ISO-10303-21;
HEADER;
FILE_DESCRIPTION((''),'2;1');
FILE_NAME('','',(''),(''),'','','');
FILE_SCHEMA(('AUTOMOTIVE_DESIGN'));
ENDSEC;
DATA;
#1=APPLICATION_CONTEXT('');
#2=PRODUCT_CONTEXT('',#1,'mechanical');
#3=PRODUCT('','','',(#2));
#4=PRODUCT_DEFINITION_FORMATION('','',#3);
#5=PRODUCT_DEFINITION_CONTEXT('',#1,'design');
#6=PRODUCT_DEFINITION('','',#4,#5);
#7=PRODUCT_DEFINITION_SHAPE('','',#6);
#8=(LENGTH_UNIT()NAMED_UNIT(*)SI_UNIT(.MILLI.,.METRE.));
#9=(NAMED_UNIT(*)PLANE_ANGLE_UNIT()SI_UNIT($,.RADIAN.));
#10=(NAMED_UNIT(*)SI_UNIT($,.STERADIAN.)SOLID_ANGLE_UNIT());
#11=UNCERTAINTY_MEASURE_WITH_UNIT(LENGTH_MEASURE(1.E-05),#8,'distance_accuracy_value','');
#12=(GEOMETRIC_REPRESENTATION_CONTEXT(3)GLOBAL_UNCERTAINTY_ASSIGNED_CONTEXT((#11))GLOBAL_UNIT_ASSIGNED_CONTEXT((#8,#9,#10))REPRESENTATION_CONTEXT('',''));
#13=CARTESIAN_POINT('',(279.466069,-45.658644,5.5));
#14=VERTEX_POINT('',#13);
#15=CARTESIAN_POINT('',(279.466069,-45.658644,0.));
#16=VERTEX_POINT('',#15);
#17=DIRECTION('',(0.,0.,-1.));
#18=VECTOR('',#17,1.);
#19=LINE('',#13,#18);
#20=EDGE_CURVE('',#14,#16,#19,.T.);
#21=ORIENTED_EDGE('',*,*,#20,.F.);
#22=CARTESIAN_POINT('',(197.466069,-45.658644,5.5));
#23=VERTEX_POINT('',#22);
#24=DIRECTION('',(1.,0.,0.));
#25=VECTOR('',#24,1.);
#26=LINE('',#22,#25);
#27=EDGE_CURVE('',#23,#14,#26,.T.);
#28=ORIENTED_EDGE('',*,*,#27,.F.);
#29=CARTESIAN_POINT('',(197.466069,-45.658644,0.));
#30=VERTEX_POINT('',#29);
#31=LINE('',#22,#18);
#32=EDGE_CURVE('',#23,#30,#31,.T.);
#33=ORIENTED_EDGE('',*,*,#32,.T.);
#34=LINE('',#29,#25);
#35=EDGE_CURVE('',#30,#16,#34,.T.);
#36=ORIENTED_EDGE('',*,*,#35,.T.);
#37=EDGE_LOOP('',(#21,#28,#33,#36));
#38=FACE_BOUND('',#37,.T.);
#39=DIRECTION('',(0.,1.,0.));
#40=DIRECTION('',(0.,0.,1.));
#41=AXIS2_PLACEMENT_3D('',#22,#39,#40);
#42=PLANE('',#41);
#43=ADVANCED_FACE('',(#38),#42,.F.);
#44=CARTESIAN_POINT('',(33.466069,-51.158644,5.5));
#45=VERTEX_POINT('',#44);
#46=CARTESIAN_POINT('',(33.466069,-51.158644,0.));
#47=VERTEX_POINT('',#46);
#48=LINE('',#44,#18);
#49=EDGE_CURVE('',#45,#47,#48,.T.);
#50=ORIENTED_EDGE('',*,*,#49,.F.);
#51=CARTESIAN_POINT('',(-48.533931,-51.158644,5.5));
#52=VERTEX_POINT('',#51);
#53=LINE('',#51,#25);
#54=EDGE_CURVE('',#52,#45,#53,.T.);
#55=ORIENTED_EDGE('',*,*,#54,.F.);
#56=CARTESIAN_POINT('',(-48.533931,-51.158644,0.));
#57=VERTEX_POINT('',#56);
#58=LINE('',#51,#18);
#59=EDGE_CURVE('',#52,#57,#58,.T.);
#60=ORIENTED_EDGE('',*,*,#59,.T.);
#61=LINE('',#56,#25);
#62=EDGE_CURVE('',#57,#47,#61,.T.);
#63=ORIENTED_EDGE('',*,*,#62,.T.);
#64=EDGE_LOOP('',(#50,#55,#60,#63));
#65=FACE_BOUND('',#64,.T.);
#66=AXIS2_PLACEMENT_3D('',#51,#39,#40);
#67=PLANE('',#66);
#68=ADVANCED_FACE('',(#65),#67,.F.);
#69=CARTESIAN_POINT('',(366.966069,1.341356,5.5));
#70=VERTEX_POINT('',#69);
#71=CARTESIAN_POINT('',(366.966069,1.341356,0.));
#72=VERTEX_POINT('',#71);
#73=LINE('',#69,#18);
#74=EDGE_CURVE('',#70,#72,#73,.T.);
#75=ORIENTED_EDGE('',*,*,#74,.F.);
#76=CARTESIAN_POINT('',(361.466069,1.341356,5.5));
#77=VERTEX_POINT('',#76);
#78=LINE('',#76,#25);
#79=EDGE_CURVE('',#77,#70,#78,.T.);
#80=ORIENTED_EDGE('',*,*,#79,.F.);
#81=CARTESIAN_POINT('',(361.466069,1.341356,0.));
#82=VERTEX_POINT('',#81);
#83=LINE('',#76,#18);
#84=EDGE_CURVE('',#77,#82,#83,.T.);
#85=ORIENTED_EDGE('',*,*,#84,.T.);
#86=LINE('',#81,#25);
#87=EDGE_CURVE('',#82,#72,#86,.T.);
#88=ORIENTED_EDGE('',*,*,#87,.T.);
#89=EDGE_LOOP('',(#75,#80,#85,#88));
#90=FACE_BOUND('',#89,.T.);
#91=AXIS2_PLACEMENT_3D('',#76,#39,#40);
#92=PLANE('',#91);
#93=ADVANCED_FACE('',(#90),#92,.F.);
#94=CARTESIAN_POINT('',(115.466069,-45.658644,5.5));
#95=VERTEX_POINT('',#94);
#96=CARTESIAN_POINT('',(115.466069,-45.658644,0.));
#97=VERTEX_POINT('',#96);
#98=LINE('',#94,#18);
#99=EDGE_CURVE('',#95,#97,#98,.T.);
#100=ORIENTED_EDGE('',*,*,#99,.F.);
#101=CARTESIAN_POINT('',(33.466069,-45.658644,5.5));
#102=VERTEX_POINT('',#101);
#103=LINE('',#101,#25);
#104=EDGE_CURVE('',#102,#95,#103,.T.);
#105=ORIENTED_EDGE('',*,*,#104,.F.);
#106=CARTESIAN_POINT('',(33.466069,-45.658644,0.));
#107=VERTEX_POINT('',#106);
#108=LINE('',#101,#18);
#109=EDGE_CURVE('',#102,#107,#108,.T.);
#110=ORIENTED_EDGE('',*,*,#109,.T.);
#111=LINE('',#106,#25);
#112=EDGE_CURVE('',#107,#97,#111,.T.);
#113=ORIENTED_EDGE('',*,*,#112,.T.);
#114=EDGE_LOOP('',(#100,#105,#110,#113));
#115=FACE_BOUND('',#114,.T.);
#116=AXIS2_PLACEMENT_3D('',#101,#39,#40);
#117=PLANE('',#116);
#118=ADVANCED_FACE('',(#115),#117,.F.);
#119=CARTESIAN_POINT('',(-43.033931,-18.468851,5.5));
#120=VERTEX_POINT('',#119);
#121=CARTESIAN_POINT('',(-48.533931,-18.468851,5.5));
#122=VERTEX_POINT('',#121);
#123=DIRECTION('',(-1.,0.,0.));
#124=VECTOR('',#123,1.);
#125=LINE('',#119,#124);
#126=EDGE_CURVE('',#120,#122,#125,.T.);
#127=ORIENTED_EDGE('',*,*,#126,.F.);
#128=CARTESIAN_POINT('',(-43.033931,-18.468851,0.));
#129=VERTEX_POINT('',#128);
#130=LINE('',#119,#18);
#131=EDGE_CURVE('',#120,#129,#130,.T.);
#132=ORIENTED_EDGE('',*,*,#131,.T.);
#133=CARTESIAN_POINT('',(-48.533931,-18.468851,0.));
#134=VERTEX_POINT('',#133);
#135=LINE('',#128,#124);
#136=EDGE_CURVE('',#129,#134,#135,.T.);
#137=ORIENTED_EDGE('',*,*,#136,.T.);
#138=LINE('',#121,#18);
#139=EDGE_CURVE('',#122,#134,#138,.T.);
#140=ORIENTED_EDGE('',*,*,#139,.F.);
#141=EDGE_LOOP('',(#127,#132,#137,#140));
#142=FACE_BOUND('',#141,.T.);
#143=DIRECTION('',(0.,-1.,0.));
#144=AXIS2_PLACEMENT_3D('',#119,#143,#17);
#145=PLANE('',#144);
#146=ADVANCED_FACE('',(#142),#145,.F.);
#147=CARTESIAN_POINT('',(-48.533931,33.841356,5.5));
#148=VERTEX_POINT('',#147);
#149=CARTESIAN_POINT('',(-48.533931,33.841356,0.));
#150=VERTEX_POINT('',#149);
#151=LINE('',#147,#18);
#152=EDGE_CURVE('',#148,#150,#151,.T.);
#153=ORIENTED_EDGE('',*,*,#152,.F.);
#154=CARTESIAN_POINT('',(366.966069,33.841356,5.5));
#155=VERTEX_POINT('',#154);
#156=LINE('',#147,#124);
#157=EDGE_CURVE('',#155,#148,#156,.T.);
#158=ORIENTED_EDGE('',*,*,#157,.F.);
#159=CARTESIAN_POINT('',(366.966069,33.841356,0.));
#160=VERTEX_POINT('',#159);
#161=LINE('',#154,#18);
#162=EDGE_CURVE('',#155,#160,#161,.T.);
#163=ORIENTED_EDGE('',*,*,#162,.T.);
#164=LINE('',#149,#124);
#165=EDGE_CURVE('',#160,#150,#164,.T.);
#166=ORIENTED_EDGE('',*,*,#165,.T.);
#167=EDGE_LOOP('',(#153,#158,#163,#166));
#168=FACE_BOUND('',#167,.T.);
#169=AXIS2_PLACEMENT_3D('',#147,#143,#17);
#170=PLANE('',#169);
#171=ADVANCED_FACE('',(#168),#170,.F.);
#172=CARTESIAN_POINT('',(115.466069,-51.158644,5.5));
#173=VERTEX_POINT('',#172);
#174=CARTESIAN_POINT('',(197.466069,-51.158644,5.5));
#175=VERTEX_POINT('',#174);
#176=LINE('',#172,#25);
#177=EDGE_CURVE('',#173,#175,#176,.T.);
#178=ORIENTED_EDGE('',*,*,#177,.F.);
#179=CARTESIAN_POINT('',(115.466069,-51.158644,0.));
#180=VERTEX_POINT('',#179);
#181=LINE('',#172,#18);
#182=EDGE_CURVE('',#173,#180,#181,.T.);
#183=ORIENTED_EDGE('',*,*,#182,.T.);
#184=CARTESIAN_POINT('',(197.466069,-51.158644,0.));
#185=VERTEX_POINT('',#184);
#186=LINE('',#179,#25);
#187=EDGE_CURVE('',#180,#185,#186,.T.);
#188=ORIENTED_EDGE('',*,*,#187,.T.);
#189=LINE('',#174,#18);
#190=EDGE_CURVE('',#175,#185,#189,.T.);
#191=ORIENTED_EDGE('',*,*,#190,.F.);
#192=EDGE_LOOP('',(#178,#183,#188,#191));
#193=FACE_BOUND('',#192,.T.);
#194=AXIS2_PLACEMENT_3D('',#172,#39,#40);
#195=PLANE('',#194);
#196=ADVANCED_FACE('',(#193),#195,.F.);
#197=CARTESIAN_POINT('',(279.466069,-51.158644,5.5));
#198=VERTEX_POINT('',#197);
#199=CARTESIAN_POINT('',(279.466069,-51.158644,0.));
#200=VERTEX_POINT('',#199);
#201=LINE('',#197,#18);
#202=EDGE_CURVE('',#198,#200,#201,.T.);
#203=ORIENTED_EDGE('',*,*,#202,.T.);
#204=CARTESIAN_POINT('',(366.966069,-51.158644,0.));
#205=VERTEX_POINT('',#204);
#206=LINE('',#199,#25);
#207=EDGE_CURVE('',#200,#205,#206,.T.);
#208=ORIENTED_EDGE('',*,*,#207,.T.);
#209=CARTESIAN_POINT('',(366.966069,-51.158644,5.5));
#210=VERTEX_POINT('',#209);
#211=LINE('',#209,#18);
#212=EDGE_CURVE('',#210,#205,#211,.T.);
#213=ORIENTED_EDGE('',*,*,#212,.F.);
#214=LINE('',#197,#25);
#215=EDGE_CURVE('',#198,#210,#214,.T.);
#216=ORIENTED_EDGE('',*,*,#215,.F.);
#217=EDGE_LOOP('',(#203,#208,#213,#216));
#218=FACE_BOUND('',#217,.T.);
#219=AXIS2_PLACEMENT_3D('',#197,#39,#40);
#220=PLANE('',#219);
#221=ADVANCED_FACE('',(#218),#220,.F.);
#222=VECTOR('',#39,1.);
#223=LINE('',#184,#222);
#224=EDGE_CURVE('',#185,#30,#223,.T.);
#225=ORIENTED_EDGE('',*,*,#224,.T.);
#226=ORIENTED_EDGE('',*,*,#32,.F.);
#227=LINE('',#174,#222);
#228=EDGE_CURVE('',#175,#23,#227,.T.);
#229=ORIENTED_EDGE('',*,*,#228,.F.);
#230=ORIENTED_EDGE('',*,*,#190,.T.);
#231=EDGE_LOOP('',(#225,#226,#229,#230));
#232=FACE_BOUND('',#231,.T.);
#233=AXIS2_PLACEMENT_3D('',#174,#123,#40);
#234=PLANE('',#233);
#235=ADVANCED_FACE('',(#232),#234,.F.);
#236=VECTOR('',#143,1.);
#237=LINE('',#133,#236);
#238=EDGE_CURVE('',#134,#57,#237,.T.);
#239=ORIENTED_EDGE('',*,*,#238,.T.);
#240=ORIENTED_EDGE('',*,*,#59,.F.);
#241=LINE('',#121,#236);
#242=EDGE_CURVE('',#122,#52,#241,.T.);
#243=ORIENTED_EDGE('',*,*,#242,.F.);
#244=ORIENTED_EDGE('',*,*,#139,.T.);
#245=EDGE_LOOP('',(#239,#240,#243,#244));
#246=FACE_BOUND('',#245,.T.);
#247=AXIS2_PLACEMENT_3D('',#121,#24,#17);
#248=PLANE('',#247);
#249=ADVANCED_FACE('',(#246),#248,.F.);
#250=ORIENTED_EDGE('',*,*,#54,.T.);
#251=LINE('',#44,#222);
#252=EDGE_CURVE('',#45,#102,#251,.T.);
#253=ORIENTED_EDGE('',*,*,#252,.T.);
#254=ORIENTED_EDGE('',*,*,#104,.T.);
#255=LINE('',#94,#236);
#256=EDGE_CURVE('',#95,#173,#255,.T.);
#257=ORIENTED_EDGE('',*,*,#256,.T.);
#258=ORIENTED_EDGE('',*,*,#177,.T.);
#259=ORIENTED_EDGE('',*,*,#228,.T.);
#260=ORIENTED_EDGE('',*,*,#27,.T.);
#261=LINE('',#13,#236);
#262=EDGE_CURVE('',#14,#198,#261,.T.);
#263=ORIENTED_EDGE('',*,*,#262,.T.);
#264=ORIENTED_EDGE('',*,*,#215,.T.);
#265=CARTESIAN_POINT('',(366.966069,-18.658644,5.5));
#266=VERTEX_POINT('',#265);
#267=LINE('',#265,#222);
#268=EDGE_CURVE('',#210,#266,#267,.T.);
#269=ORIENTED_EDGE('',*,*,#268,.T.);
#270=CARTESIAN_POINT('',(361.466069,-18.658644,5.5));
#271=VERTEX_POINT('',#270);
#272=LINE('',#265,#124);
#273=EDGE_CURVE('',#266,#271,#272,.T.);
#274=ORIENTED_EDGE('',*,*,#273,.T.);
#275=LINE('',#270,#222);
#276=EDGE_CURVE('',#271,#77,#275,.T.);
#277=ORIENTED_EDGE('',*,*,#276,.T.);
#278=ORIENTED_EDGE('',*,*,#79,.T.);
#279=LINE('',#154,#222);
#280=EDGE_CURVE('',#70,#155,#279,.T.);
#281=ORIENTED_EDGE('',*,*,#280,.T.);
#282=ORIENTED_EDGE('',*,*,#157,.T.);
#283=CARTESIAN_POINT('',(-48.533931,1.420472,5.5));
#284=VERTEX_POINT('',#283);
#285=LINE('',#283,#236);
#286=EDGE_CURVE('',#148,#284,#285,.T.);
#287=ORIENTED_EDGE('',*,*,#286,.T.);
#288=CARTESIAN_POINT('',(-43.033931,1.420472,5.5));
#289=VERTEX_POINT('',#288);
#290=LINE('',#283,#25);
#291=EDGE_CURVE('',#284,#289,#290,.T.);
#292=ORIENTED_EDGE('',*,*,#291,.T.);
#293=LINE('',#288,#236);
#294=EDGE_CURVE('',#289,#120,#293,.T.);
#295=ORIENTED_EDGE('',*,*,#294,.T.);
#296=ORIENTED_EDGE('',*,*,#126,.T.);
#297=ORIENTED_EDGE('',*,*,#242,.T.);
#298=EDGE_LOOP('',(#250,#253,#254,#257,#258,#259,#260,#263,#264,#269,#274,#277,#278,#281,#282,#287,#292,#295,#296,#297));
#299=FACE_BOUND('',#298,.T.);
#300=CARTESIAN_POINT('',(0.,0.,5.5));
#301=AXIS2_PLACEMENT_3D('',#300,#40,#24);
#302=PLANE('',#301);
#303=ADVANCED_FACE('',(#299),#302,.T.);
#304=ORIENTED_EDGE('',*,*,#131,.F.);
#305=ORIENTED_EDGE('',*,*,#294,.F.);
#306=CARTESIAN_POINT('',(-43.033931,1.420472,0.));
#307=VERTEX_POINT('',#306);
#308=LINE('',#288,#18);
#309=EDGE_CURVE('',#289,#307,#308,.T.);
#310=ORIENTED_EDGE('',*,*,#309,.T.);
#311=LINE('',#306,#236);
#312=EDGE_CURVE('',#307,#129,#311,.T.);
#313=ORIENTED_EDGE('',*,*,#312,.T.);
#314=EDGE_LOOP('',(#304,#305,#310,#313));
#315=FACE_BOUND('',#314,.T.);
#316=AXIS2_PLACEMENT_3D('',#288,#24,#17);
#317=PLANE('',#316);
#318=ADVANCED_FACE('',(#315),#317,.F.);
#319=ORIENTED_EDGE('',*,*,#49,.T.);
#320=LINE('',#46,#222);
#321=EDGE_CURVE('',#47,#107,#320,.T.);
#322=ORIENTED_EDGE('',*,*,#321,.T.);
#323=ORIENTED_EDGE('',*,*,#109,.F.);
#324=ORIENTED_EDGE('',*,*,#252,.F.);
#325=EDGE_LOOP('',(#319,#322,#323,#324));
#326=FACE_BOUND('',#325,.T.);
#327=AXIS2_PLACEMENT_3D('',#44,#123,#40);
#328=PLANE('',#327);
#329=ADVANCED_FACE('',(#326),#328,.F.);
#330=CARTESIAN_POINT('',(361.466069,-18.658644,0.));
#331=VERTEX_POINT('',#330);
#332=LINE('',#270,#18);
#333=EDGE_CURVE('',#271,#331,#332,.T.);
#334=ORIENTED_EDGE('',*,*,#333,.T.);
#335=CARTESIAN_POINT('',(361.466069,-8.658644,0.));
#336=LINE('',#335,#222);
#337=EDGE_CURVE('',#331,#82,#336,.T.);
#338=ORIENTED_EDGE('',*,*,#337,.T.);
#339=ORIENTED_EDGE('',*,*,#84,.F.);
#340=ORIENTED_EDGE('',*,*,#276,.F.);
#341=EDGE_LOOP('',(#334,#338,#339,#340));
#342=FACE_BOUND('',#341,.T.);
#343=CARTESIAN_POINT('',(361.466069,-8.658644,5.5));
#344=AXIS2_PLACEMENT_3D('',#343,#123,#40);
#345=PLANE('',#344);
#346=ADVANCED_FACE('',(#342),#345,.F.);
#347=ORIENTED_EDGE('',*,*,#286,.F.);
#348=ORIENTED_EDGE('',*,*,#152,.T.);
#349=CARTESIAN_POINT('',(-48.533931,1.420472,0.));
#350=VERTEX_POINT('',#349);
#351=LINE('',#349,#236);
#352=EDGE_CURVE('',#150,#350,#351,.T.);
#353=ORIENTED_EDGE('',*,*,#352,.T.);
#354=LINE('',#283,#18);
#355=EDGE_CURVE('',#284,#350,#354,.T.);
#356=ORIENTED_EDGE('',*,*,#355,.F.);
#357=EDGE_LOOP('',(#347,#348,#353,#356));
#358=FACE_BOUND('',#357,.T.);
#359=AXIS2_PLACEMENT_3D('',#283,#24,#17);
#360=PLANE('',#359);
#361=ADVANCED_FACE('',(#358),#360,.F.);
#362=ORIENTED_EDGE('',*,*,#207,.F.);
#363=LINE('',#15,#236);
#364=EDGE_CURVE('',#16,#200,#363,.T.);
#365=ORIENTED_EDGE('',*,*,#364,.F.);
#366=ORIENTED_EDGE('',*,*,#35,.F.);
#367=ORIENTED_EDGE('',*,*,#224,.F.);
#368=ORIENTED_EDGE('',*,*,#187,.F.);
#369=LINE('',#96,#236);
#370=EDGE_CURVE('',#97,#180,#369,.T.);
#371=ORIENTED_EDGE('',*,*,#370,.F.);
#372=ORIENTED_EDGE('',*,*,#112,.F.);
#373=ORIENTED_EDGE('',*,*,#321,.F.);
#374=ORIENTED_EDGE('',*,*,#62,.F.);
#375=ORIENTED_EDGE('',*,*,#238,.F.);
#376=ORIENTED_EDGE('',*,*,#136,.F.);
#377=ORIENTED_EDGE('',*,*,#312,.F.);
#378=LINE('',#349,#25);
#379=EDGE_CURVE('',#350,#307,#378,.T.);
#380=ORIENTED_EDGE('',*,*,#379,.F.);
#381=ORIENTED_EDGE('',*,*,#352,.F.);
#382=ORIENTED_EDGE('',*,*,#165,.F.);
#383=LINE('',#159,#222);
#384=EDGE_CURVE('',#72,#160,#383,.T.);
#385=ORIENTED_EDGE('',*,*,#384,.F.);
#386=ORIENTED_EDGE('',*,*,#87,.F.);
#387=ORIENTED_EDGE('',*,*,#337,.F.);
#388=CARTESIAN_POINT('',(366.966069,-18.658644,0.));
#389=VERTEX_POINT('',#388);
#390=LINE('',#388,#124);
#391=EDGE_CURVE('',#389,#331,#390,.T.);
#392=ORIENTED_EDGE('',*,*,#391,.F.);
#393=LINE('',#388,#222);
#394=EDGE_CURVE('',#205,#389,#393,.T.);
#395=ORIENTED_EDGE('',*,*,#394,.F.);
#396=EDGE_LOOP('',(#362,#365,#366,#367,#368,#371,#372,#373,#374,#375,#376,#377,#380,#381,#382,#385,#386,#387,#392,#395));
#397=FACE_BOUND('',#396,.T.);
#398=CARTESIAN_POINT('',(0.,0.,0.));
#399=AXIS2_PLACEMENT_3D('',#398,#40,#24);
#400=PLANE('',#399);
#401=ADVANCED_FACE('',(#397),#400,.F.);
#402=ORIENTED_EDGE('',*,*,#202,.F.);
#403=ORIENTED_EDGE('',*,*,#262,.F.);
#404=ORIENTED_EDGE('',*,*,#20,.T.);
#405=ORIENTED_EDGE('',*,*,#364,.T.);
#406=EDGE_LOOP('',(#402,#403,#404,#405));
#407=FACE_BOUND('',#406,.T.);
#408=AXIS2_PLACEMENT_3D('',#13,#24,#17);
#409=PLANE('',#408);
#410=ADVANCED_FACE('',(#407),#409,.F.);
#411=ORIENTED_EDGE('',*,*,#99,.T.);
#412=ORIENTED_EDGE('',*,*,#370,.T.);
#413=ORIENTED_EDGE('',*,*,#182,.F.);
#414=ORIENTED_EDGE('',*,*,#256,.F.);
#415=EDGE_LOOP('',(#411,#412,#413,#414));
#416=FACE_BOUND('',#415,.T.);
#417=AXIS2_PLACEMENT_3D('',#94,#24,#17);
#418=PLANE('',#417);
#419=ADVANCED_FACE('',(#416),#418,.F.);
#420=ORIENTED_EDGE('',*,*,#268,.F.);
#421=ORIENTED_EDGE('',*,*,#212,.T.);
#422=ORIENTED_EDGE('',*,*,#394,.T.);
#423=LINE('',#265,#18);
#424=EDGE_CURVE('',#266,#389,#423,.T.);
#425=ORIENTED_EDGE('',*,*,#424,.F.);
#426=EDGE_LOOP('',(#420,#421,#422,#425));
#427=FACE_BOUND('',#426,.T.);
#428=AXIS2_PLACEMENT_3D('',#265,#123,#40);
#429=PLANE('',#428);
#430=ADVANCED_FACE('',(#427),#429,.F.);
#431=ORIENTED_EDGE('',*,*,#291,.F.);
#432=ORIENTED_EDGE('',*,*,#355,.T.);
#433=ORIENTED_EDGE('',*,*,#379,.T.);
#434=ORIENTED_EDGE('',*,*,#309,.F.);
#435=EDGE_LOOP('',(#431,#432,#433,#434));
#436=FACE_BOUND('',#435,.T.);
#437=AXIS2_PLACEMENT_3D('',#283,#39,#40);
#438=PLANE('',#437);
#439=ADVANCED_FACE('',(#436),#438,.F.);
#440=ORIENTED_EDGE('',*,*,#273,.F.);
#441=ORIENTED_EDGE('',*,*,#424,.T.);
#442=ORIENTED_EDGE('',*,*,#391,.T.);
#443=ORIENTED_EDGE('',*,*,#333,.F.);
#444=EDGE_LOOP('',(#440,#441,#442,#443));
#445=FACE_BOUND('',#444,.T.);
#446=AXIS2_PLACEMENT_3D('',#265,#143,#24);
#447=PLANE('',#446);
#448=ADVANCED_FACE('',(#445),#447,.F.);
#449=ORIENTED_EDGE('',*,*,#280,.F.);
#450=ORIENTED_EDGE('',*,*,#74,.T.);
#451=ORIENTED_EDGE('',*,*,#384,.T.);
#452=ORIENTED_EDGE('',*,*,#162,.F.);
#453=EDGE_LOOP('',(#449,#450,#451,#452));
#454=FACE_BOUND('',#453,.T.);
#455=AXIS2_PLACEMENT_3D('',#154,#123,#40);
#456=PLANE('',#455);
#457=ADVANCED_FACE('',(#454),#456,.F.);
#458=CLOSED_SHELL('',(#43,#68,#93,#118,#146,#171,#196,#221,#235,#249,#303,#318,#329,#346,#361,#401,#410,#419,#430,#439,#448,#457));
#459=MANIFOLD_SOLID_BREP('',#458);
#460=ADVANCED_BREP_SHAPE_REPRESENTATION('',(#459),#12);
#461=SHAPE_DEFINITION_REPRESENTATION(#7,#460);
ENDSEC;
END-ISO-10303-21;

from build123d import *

# Parameters (mm, degrees)
SALIENTE_EXTRUIR1_DEPTH = 5.5


with BuildPart() as part:
    # Croquis1 → Saliente-Extruir1 (new body)
    with BuildSketch(Plane.XY):
        Polygon((-48.533930911, 1.420472202), (-48.533930911, 33.841356227), (366.966069089, 33.841356227), (366.966069089, 1.341356227), (361.466069089, 1.341356227), (361.466069089, -8.658643773), (361.466069089, -18.658643773), (366.966069089, -18.658643773), (366.966069089, -51.158643773), (279.466069089, -51.158643773), (279.466069089, -45.658643773), (197.466069089, -45.658643773), (197.466069089, -51.158643773), (115.466069089, -51.158643773), (115.466069089, -45.658643773), (33.466069089, -45.658643773), (33.466069089, -51.158643773), (-48.533930911, -51.158643773), (-48.533930911, -18.468850937), (-43.033930911, -18.468850937), (-43.033930911, 1.420472202), align=None)
    extrude(amount=SALIENTE_EXTRUIR1_DEPTH)


solid = part.part
